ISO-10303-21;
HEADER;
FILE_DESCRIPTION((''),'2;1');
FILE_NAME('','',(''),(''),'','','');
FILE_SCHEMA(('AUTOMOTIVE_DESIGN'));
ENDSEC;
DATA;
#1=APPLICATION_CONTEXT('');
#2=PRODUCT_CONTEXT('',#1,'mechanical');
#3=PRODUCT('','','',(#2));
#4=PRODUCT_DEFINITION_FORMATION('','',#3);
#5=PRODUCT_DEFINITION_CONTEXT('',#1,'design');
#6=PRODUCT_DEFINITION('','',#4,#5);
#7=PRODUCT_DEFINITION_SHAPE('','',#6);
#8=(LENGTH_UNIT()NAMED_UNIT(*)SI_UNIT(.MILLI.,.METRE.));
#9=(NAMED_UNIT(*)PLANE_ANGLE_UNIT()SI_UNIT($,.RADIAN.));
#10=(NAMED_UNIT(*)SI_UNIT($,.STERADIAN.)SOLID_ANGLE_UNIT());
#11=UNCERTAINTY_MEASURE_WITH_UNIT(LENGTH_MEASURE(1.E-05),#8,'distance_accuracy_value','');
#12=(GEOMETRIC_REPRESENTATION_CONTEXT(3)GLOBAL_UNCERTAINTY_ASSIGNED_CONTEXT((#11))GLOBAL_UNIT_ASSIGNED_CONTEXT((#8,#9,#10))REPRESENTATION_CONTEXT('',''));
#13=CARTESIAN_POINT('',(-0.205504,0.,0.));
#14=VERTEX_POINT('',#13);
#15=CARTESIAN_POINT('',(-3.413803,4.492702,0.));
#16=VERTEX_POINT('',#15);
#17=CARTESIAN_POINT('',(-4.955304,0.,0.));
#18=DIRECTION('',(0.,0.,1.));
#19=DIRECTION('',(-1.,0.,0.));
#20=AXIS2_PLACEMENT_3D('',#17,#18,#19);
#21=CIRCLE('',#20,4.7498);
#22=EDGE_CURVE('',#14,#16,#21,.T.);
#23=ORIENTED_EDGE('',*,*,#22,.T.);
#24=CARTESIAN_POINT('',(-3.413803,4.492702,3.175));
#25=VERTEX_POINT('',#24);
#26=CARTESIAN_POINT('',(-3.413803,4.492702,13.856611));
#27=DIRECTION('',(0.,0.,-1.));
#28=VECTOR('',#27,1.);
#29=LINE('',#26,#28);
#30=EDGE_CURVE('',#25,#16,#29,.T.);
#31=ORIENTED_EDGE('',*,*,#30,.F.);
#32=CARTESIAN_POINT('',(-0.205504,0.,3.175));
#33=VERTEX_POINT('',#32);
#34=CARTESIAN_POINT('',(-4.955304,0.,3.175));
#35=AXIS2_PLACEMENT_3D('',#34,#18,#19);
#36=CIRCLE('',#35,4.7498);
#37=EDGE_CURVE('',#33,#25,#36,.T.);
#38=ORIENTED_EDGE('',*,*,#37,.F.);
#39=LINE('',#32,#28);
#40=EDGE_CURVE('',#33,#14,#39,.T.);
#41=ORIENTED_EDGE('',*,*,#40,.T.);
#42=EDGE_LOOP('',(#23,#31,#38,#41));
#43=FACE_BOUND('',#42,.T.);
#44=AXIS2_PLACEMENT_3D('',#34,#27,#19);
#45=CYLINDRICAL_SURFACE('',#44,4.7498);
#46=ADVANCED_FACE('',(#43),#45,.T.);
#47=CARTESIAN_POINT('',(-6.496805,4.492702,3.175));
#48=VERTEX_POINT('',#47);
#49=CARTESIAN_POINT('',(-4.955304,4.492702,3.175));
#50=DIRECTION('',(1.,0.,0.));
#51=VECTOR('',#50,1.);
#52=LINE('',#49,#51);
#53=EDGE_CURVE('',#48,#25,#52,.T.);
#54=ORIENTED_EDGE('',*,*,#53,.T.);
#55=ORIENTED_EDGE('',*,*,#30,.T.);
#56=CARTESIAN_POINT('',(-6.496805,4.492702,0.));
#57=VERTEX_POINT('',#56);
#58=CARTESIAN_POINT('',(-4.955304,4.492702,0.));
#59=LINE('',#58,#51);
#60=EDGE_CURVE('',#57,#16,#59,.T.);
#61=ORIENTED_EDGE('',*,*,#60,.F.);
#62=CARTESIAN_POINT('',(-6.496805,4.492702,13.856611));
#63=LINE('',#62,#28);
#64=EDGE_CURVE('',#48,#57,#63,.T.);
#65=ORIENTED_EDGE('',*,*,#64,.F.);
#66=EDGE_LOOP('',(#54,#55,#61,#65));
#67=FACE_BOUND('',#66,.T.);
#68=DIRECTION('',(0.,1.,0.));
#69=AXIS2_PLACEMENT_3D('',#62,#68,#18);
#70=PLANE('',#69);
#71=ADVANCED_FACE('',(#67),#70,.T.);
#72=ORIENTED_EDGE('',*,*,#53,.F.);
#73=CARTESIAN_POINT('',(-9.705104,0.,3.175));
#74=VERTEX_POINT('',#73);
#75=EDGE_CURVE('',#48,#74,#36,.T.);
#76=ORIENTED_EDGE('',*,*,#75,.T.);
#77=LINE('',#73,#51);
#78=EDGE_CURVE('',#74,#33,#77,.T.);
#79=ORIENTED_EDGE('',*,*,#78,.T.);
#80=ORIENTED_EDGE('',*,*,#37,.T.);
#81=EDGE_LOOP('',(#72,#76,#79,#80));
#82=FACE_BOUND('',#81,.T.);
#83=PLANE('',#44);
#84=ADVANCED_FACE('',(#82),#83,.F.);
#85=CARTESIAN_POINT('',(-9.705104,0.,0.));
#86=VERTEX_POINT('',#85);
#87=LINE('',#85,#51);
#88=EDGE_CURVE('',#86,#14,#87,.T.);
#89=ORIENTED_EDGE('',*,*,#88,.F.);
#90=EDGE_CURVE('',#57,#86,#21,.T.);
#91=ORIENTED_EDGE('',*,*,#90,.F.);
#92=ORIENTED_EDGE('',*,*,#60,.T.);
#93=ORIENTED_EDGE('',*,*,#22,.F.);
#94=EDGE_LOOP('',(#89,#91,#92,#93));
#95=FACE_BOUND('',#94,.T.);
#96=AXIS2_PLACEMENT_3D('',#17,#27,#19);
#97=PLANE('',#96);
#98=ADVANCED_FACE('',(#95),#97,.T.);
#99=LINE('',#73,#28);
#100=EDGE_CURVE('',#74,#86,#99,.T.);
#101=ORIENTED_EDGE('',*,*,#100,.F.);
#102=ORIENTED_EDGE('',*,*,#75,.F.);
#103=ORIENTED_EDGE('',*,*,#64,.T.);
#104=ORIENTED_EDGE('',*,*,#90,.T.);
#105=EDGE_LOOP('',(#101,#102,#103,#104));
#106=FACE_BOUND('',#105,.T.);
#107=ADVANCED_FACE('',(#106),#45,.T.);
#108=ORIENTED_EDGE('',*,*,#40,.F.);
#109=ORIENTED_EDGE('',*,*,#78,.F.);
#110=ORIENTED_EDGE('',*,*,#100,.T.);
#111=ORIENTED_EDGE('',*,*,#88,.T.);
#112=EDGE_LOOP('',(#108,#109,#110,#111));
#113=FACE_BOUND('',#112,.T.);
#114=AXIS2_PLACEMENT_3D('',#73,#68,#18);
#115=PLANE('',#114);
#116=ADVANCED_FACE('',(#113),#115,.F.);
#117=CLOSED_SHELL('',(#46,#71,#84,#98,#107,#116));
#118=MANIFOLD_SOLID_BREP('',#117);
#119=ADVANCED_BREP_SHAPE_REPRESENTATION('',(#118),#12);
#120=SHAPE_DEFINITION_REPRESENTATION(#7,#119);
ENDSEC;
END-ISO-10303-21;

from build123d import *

# Parameters (mm, degrees)
BOSS_EXTRUDE2_DEPTH     = 3.175
CUT_EXTRUDE2_DEPTH      = 12.261894646
CUT_EXTRUDE2_DEPTH_BACK = 12.261894646


with BuildPart() as part:
    # Sketch2 → Boss-Extrude2 (new body)
    with BuildSketch(Plane.XY):
        with BuildLine():
            Line((-9.705104119, 0), (-0.205504119, 0))
            ThreePointArc((-0.205504119, 0), (-4.955304119, 4.7498), (-9.705104119, 0))
        make_face()
    extrude(amount=BOSS_EXTRUDE2_DEPTH)

    # Sketch5 → Cut-Extrude2 (cut, two sides: drawn at the far end of the back side and taken through both)
    with BuildSketch(Plane.XY.offset(-CUT_EXTRUDE2_DEPTH_BACK)):
        Polygon((-31.958349857, 4.492702415), (-6.496805029, 4.492702415), (-3.41380321, 4.492702415), (22.047741618, 4.492702415), (22.047741618, 55.415792071), (-31.958349857, 55.415792071), align=None)
    extrude(amount=CUT_EXTRUDE2_DEPTH + CUT_EXTRUDE2_DEPTH_BACK, mode=Mode.SUBTRACT)


solid = part.part
